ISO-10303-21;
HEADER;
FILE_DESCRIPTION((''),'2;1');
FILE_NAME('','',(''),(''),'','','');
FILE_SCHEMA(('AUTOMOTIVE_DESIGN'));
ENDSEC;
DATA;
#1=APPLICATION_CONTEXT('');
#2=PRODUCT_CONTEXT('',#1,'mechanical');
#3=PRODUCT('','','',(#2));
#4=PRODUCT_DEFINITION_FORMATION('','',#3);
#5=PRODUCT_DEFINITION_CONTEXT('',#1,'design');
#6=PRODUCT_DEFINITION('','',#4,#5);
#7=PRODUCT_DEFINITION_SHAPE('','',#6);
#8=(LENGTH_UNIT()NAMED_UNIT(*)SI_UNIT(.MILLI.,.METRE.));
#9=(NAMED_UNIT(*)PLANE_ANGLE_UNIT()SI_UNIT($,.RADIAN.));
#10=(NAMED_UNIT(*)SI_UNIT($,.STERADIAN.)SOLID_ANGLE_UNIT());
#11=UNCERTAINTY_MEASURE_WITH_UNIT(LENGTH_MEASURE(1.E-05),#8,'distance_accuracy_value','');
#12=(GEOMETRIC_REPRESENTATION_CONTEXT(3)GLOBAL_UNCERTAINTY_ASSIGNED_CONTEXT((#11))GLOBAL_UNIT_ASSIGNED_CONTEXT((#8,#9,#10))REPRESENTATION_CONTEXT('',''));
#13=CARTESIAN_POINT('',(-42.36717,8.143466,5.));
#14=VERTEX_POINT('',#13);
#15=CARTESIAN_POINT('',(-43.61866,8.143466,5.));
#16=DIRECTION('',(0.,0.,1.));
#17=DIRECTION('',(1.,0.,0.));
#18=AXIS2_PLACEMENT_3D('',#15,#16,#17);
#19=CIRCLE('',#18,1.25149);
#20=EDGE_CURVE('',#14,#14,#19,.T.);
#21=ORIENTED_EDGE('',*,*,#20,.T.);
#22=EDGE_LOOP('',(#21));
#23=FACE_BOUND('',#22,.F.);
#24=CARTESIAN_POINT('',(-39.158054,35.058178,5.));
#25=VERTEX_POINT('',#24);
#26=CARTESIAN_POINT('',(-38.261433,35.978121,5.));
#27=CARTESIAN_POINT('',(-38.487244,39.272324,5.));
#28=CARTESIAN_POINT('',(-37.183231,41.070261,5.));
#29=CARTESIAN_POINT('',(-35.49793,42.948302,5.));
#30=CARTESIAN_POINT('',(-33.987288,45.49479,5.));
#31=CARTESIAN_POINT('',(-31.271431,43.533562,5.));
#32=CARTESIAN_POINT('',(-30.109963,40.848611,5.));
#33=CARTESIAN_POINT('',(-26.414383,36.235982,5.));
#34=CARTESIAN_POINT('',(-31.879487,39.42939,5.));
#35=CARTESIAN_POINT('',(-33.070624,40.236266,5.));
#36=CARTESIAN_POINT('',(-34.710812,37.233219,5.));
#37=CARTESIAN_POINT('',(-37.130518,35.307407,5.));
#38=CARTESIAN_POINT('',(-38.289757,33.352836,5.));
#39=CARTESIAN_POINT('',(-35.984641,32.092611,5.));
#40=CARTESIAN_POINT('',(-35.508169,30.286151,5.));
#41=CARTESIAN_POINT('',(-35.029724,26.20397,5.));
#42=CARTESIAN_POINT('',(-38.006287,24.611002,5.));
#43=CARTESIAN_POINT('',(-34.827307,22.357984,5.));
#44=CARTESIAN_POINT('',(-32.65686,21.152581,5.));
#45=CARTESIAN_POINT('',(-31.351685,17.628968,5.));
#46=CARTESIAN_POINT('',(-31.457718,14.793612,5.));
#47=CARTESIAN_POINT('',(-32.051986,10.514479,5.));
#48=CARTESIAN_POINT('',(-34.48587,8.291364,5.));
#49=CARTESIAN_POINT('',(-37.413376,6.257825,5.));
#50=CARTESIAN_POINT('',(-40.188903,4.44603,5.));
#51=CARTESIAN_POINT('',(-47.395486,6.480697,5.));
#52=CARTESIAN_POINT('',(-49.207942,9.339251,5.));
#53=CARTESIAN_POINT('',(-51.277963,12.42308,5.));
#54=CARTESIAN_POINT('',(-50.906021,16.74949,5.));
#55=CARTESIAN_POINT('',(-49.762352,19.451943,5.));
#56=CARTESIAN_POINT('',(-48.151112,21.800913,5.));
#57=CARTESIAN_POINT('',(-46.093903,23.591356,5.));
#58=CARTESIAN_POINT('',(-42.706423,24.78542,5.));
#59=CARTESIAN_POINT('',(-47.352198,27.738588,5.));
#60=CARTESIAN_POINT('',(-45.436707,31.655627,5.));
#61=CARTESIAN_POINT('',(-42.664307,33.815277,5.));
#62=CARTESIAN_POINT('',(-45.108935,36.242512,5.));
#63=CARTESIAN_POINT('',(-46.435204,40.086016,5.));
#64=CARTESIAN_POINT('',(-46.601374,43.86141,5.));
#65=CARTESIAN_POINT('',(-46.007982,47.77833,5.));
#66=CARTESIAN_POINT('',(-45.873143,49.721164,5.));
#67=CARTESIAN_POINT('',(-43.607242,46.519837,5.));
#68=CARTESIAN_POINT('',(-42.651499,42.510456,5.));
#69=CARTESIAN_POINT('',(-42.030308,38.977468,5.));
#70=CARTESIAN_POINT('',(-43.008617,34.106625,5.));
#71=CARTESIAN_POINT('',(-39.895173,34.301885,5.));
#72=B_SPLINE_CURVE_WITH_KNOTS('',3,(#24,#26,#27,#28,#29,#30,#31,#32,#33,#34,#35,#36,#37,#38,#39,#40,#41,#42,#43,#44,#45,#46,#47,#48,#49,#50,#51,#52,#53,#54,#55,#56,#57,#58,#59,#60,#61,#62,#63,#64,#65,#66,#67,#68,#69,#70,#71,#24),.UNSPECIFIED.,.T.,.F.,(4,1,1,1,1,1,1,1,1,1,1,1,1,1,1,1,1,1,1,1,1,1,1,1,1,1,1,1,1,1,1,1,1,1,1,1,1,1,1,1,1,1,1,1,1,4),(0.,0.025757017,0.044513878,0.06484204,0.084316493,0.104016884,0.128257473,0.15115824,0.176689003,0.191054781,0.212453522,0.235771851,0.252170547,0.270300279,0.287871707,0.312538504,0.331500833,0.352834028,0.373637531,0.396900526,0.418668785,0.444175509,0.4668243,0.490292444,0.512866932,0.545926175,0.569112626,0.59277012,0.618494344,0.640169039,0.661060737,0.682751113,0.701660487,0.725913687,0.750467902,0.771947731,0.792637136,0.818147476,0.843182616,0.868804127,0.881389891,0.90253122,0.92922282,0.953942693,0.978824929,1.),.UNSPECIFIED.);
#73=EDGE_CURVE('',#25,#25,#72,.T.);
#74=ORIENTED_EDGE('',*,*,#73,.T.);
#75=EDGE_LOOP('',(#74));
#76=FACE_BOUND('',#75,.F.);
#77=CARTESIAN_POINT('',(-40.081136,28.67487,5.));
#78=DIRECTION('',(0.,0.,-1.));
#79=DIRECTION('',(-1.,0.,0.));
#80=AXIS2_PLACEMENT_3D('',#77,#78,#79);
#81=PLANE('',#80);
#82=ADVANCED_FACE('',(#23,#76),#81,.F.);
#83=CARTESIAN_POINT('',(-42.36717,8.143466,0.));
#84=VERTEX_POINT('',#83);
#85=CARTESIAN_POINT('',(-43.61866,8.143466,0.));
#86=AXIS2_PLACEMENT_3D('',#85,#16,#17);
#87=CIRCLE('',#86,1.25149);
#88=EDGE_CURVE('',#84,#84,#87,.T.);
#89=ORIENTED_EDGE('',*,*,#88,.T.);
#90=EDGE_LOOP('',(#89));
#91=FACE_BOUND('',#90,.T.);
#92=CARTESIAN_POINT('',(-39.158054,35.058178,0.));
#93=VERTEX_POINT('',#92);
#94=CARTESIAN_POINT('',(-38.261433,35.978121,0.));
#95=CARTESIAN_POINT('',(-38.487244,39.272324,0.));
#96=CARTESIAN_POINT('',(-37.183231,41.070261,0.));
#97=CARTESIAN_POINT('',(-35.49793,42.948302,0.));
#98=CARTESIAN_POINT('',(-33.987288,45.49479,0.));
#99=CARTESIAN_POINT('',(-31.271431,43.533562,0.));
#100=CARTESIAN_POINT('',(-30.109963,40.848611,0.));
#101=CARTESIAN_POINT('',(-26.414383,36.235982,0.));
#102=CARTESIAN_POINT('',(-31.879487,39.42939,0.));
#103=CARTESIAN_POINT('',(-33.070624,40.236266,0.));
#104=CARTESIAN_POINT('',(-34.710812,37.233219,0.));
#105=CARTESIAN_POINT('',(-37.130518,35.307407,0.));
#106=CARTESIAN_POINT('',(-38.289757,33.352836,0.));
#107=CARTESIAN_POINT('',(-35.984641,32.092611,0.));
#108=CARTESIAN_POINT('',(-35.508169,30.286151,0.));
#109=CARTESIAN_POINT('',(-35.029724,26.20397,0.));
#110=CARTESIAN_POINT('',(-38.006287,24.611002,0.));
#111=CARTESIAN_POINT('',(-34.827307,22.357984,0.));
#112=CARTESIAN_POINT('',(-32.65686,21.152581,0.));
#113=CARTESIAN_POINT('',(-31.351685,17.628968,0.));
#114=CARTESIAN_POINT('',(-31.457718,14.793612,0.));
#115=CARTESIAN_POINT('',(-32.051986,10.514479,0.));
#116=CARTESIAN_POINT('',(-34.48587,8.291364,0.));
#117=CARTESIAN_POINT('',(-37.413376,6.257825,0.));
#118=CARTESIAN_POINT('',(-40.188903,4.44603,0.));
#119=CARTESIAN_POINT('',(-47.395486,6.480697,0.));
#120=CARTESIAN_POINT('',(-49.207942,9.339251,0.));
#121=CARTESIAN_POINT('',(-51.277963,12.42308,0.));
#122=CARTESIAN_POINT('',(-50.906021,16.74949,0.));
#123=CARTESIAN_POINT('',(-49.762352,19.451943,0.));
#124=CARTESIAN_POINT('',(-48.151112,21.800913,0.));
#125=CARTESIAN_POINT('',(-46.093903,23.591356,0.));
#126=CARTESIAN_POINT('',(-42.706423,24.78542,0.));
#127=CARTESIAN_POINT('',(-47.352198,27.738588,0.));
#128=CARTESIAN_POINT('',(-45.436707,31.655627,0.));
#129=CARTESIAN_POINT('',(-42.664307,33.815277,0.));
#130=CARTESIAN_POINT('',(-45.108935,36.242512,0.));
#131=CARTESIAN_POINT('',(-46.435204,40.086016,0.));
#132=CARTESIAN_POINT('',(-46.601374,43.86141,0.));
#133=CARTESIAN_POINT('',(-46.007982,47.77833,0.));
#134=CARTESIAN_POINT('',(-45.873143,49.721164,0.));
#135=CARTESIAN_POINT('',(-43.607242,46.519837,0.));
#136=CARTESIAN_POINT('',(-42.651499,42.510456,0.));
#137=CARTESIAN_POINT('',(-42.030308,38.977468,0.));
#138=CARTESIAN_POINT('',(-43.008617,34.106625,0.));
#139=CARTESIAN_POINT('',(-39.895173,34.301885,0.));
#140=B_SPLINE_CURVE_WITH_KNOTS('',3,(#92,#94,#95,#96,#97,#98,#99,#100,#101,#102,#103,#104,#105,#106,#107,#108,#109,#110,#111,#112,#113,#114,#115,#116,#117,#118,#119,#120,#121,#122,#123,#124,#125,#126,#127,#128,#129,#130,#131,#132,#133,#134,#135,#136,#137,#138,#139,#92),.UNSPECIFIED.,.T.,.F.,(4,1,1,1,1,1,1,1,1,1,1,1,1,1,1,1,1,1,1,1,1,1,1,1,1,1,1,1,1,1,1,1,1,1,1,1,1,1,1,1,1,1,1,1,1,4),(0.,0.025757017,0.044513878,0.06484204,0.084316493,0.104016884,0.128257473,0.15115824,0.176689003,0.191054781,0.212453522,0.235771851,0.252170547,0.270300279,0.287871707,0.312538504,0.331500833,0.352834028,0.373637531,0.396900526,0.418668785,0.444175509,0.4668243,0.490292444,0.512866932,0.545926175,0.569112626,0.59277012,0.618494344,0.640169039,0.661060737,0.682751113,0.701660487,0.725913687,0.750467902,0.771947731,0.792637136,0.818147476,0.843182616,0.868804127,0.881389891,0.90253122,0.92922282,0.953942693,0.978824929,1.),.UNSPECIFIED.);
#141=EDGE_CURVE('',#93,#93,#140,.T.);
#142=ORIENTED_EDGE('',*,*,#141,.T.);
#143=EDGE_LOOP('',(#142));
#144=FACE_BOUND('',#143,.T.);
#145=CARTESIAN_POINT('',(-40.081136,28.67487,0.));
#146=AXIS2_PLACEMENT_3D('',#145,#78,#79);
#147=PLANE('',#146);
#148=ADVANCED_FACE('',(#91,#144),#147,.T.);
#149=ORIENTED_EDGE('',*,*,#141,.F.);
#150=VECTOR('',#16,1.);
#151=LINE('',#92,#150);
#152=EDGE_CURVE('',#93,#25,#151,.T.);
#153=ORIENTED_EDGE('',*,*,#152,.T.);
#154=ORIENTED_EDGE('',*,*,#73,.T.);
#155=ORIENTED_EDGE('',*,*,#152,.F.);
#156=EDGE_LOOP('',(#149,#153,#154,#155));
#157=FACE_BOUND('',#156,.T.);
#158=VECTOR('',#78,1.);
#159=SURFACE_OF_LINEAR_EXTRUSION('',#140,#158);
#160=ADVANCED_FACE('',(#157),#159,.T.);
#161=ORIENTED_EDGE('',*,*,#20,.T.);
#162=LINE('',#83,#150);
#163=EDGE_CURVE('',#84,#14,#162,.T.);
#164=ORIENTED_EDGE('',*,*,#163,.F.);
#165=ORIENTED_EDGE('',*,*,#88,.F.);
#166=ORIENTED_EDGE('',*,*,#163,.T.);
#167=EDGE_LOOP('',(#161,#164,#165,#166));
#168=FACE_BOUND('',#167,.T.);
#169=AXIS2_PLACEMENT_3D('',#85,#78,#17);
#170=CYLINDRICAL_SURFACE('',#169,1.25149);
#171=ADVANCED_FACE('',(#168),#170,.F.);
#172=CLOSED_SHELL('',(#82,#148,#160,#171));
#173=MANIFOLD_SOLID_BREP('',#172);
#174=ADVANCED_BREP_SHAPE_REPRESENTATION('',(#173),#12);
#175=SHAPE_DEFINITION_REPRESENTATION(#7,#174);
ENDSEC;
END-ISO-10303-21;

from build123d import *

# Parameters (mm, degrees)
F0_R     = 1.2514901775
F1_DEPTH = 5


with BuildPart() as f1:
    # F0 (on Top) → F1 (new body)
    with BuildSketch(Plane.XY):
        with BuildLine():
            add(Edge.make_bspline(
                [(-39.1580536962, 35.0581780076), (-38.2614332894, 35.9781207108), (-38.4872443587, 39.2723237146), (-37.1832311351, 41.070260921), (-35.4979298125, 42.94830166), (-33.9872878234, 45.4947896738), (-31.2714310883, 43.5335621517), (-30.1099627737, 40.8486107766), (-26.4143828879, 36.2359819751), (-31.8794873485, 39.429390019), (-33.0706240924, 40.2362655477), (-34.7108124332, 37.2332189991), (-37.1305177735, 35.3074070364), (-38.289757348, 33.3528362309), (-35.9846410039, 32.0926114603), (-35.5081691001, 30.2861508573), (-35.029724154, 26.2039699925), (-38.0062869906, 24.6110024934), (-34.8273074473, 22.3579836405), (-32.6568597536, 21.1525805902), (-31.3516853336, 17.6289678119), (-31.4577179898, 14.7936120907), (-32.0519857851, 10.5144788262), (-34.4858695979, 8.2913644895), (-37.4133763923, 6.2578252487), (-40.1889031241, 4.4460301481), (-47.395485972, 6.4806968882), (-49.2079419075, 9.3392506193), (-51.2779633615, 12.4230802186), (-50.9060214512, 16.7494899842), (-49.7623519446, 19.4519432274), (-48.1511119021, 21.8009128692), (-46.0939026785, 23.5913555254), (-42.70642312, 24.7854204369), (-47.3521980205, 27.7385882783), (-45.4367073121, 31.6556270432), (-42.6643072131, 33.8152770308), (-45.1089347526, 36.242511723), (-46.4352035117, 40.0860164192), (-46.6013740099, 43.8614102909), (-46.0079820802, 47.7783299548), (-45.8731432567, 49.7211642851), (-43.6072421217, 46.5198367436), (-42.6514993561, 42.5104564075), (-42.0303081697, 38.9774684425), (-43.0086169262, 34.1066253011), (-39.8951732707, 34.3018849667), (-39.1580536962, 35.0581780076)],
                knots=[0, 0, 0, 0, 0.0257570166, 0.0445138776, 0.06484204, 0.0843164925, 0.1040168842, 0.1282574734, 0.1511582401, 0.1766890034, 0.1910547811, 0.2124535222, 0.2357718507, 0.2521705472, 0.2703002789, 0.2878717074, 0.3125385039, 0.3315008328, 0.3528340277, 0.3736375307, 0.3969005259, 0.4186687855, 0.4441755088, 0.4668243002, 0.4902924437, 0.5128669319, 0.5459261749, 0.5691126263, 0.59277012, 0.6184943436, 0.640169039, 0.6610607373, 0.6827511135, 0.7016604874, 0.7259136871, 0.7504679017, 0.7719477308, 0.7926371358, 0.8181474756, 0.8431826159, 0.8688041272, 0.8813898907, 0.9025312198, 0.9292228204, 0.9539426934, 0.9788249286, 1, 1, 1, 1], degree=3))
        make_face()
        with Locations((-43.6186604202, 8.143465966)):
            Circle(F0_R, mode=Mode.SUBTRACT)
    extrude(amount=F1_DEPTH)


solid = f1.part
